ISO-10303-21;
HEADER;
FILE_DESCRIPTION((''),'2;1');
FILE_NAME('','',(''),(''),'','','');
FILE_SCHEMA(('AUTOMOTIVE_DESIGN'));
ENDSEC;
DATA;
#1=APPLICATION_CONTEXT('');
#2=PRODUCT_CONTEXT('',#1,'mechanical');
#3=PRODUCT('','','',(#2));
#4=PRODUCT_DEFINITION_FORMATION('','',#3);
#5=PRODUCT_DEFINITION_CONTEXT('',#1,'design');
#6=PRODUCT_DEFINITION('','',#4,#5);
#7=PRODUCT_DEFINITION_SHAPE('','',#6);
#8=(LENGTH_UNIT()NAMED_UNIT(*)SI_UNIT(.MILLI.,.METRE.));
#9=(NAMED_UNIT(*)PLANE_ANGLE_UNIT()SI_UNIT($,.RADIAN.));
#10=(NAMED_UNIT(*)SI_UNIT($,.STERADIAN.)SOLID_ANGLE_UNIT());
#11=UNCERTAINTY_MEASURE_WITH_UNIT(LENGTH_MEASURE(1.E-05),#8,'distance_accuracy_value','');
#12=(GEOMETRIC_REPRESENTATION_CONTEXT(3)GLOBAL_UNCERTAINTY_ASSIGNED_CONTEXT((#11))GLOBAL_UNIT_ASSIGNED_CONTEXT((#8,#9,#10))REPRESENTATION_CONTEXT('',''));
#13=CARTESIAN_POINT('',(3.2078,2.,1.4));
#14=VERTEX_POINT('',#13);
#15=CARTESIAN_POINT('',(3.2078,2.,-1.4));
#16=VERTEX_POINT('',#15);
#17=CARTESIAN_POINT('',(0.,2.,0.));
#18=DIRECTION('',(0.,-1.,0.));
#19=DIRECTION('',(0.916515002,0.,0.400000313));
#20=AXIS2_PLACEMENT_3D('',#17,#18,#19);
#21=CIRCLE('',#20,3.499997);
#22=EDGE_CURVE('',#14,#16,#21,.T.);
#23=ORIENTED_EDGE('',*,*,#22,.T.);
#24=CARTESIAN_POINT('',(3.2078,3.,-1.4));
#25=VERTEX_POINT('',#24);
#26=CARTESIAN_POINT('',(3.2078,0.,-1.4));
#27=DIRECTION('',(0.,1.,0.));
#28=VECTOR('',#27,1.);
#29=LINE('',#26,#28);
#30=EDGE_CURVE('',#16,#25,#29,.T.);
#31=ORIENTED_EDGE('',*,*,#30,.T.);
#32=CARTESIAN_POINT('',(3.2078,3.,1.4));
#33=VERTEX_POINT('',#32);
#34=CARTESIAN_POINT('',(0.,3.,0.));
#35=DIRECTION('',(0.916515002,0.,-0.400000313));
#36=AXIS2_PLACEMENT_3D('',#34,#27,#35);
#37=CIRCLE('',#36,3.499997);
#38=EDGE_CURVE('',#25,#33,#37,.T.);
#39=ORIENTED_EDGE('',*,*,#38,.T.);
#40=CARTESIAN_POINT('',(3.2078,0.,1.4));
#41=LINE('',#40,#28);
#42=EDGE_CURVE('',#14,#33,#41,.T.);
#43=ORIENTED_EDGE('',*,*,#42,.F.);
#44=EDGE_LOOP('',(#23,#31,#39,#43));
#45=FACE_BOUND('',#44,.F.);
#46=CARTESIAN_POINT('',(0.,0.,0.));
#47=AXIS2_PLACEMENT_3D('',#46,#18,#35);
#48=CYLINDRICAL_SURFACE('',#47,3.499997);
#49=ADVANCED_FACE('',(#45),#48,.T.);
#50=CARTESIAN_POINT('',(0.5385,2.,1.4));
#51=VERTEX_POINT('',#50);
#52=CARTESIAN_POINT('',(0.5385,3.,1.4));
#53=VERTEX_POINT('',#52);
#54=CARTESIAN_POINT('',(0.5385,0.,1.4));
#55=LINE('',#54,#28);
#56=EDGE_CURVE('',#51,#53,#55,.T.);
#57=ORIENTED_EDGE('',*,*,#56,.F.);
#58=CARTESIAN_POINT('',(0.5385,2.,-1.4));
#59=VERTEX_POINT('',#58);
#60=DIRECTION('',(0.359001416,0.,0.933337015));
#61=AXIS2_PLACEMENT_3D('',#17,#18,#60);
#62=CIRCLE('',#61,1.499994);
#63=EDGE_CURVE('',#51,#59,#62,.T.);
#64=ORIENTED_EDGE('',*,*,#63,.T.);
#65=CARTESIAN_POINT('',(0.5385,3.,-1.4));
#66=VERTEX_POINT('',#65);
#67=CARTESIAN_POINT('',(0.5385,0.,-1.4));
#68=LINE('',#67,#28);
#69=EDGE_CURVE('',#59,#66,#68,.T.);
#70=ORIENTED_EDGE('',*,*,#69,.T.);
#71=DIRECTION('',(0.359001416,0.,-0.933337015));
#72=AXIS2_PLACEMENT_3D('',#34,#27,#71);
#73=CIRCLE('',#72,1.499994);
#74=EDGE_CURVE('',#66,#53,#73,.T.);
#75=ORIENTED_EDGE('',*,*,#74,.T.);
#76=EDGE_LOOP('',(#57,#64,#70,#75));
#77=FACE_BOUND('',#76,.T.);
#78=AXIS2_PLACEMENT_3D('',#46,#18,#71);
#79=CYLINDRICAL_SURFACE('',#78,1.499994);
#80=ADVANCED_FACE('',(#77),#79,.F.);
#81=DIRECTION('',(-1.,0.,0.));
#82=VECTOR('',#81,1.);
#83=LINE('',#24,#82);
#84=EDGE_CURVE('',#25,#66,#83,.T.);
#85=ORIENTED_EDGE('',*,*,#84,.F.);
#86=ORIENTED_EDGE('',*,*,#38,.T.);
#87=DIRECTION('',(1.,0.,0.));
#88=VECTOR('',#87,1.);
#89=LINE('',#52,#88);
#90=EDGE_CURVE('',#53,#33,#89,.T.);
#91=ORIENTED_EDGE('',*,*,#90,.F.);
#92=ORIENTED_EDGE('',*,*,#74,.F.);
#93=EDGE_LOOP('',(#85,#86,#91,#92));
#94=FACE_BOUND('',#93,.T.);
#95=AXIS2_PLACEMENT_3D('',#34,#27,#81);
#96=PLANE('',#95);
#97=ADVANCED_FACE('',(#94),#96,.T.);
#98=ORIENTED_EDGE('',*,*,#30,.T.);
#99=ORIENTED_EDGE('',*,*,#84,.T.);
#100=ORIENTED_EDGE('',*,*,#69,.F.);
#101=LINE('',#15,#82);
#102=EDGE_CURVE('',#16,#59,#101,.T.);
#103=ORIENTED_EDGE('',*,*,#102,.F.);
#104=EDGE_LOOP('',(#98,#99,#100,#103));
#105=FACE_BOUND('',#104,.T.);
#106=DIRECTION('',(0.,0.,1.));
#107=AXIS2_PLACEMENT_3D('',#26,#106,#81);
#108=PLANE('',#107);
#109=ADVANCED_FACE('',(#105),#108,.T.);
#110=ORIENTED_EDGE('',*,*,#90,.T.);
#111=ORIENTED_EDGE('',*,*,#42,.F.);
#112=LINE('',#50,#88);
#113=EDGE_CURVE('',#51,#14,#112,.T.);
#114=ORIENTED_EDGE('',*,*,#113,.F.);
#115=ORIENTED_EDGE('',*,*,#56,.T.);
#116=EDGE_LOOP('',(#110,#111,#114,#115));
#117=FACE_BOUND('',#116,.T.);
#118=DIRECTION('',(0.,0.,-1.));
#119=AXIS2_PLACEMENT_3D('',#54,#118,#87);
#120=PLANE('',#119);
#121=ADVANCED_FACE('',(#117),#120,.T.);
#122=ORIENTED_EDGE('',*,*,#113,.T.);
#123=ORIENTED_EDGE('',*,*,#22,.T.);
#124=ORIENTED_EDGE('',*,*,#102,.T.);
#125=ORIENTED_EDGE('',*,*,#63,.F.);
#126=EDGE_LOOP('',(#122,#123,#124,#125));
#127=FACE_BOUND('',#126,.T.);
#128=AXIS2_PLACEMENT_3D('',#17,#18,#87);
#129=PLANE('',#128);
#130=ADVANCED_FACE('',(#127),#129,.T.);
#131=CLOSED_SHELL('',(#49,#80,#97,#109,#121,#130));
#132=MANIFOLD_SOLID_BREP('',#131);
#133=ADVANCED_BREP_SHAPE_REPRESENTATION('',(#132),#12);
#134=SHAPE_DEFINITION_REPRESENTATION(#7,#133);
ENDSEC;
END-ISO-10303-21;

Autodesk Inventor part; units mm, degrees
ref_plane "YZ Plane" through (0, 0, 0) normal (1, 0, 0) x (0, 1, 0)
ref_plane "XZ Plane" through (0, 0, 0) normal (0, 1, 0) x (-1, 0, 0)
ref_plane "XY Plane" through (0, 0, 0) normal (0, 0, 1) x (1, 0, 0)
sketch "Sketch1" plane through (0, 0, 0) normal (0, 1, 0) x (-1, 0, 0)
  line L0 (-0.5385, 1.4) -> (-3.2078, 1.4)
  line L1 (-7.0269, 1.4) -> (-7.0269, -1.4)
  line L2 (-3.2078, -1.4) -> (-0.5385, -1.4)
  line L3 (-0.5385, 1.4) -> (-7.0269, -1.4) construction
  line L4 (-7.0269, 1.4) -> (-0.5385, -1.4) construction
  arc A0 (-0.5385, -1.4) -> (-0.5385, 1.4) centre (0, 0) ccw
  arc A1 (-3.2078, -1.4) -> (-3.2078, 1.4) centre (0, 0) ccw
  point P0 (-3.7827, 0)
  dimension "d1" = 2.8
  dimension "d2" = 1.5
extrude "Extrusion1" add sketch "Sketch1" along normal blind 3
sketch "Sketch2" plane through (0, 0, 0) normal (0, -1, 0) x (1, 0, 0)
  line L0 (0.5385, 1.4) -> (3.2078, 1.4) projected
  arc A0 (3.2078, 1.4) -> (3.2078, -1.4) centre (0, 0) ccw projected
  line L1 (3.2078, -1.4) -> (0.5385, -1.4) projected
  arc A1 (0.5385, 1.4) -> (0.5385, -1.4) centre (0, 0) ccw projected
extrude "Extrusion2" cut sketch "Sketch2" against normal blind 2
properties part number "500-168" material "ABS Plastic"
